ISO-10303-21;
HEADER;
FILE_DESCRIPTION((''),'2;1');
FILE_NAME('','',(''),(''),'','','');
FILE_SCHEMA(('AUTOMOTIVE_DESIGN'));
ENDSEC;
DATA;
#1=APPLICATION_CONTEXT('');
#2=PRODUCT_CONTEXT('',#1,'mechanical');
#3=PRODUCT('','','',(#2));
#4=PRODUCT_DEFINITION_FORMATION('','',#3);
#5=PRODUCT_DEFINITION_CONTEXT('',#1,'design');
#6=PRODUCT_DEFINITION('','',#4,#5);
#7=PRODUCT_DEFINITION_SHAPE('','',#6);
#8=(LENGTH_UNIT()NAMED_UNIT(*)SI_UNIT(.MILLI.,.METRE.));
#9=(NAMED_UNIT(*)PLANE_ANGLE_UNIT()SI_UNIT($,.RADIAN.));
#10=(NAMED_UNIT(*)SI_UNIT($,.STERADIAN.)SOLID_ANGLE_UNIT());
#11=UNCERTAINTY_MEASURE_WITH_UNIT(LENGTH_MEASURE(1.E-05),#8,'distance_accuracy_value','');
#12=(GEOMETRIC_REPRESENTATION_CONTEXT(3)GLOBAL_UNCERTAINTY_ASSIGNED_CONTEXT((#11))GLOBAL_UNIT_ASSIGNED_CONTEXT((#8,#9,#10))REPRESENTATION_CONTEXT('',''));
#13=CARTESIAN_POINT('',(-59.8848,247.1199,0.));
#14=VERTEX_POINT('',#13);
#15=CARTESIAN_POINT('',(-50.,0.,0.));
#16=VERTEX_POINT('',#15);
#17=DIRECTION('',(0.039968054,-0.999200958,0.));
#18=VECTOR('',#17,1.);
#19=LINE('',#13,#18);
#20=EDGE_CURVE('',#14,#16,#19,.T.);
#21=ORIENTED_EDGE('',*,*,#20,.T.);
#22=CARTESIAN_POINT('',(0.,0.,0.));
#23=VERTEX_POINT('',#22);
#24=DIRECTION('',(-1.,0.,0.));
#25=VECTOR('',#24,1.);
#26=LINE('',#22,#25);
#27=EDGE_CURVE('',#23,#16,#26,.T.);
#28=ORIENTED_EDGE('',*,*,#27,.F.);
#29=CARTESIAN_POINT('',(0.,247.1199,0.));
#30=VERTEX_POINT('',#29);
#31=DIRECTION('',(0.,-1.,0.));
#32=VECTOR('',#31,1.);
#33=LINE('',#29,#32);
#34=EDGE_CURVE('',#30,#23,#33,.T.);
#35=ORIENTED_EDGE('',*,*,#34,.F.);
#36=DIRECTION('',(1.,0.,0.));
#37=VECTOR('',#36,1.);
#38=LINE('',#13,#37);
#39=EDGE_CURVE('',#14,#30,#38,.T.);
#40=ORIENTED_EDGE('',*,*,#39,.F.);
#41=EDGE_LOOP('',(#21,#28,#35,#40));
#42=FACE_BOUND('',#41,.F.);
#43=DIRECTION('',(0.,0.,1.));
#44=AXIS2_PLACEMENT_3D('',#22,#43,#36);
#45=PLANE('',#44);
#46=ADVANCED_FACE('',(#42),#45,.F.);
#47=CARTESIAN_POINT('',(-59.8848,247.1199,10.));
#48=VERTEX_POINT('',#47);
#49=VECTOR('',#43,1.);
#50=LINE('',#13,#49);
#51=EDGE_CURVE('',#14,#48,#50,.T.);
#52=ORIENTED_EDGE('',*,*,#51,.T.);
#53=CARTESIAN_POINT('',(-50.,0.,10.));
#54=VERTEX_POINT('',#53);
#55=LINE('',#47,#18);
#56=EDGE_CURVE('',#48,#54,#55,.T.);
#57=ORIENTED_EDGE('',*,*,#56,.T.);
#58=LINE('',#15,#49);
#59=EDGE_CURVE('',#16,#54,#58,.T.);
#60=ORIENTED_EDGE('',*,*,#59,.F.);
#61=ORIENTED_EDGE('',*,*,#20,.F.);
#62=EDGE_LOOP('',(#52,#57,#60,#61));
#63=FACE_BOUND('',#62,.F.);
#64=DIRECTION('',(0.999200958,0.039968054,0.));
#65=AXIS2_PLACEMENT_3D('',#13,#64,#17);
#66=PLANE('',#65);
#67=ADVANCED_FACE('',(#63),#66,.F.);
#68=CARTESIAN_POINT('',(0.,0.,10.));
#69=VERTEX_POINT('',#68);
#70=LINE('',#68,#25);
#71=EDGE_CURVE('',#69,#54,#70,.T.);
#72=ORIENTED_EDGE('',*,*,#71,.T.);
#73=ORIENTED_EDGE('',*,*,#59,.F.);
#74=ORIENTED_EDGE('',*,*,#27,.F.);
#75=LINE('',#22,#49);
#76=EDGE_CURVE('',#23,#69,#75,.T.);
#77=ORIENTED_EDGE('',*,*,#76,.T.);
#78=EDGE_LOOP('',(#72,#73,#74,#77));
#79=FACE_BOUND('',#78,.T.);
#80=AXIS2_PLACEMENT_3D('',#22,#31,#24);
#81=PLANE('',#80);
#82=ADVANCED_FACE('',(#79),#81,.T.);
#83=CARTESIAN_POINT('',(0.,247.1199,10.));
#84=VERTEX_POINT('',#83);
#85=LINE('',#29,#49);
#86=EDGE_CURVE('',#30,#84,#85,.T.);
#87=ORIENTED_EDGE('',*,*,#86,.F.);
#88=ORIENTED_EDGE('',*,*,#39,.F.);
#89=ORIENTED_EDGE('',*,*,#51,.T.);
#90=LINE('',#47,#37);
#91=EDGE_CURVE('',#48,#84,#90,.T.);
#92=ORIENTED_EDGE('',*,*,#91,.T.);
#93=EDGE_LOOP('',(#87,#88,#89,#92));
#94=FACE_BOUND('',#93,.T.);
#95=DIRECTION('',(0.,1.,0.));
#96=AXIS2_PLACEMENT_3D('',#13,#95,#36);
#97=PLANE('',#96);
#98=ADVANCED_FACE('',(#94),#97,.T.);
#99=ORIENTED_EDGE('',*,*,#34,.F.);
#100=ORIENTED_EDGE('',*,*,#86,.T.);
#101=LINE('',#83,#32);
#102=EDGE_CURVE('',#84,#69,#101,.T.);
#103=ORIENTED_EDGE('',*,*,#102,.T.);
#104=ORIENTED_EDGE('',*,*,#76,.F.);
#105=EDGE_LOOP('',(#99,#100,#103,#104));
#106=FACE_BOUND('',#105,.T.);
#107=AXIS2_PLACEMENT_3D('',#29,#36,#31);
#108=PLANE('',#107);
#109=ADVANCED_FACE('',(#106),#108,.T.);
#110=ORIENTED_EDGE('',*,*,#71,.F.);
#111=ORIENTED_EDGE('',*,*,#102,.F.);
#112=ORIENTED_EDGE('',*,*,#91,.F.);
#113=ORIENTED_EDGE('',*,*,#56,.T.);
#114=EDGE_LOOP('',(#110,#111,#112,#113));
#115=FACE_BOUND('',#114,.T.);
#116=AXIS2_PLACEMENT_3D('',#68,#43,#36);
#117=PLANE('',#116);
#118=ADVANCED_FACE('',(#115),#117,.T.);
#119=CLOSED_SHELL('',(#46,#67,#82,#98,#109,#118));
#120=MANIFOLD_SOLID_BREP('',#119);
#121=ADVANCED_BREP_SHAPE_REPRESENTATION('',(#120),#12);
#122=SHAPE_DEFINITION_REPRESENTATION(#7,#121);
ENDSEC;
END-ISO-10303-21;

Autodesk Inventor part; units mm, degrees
ref_plane "YZ Plane" through (0, 0, 0) normal (1, 0, 0) x (0, 1, 0)
ref_plane "XZ Plane" through (0, 0, 0) normal (0, 1, 0) x (-1, 0, 0)
ref_plane "Work Plane1" through (0, 0, 0) normal (0, 0, 1) x (1, 0, 0)
sketch "Sketch1" plane through (0, 0, 0) normal (0, 0, 1) x (1, 0, 0)
  line L0 (0, 0) -> (0, 3) construction
  line L1 (-50, 3) -> (0, 3) construction
  line L2 (-50, 0) -> (-50, 3) construction
  line L3 (0, 0) -> (-50, 0) construction
  line L4 (149.2687, 0) -> (0, 0) construction
  line L5 (149.2687, 3) -> (149.2687, 0) construction
  line L6 (0, 3) -> (149.2687, 3) construction
  line L7 (161.2496, 3) -> (161.8322, 3) construction
  spline S0 degree 3 poles (161.8322, 3) (161.8322, 2.5) (161.8322, 2) (161.8322, 1) (161.8322, 0.5) (161.8322, 0) knots -0.3 -0.3 -0.3 -0.3 -0.15 -0.15 0 0 0 0 construction
  line L8 (161.8322, 0) -> (161.2496, 0) construction
  line L9 (161.2496, 0) -> (161.2496, 3) construction
  line L10 (-52.9976, -0.1199) -> (-62.8824, 247) construction
  line L11 (-62.8824, 247) -> (-59.8848, 247.1199) construction
  line L12 (-59.8848, 247.1199) -> (-50, 0)
  line L13 (-50, 0) -> (-52.9976, -0.1199) construction
  line L14 (0, 0) -> (-50, 0)
  line L15 (-59.8848, 247.1199) -> (0, 247.1199)
  line L16 (0, 247.1199) -> (0, 0)
extrude "Extrusion1" add sketch "Sketch1" along normal blind 10
properties part number "internalSupportTop3" material "Wood (Birch)"
